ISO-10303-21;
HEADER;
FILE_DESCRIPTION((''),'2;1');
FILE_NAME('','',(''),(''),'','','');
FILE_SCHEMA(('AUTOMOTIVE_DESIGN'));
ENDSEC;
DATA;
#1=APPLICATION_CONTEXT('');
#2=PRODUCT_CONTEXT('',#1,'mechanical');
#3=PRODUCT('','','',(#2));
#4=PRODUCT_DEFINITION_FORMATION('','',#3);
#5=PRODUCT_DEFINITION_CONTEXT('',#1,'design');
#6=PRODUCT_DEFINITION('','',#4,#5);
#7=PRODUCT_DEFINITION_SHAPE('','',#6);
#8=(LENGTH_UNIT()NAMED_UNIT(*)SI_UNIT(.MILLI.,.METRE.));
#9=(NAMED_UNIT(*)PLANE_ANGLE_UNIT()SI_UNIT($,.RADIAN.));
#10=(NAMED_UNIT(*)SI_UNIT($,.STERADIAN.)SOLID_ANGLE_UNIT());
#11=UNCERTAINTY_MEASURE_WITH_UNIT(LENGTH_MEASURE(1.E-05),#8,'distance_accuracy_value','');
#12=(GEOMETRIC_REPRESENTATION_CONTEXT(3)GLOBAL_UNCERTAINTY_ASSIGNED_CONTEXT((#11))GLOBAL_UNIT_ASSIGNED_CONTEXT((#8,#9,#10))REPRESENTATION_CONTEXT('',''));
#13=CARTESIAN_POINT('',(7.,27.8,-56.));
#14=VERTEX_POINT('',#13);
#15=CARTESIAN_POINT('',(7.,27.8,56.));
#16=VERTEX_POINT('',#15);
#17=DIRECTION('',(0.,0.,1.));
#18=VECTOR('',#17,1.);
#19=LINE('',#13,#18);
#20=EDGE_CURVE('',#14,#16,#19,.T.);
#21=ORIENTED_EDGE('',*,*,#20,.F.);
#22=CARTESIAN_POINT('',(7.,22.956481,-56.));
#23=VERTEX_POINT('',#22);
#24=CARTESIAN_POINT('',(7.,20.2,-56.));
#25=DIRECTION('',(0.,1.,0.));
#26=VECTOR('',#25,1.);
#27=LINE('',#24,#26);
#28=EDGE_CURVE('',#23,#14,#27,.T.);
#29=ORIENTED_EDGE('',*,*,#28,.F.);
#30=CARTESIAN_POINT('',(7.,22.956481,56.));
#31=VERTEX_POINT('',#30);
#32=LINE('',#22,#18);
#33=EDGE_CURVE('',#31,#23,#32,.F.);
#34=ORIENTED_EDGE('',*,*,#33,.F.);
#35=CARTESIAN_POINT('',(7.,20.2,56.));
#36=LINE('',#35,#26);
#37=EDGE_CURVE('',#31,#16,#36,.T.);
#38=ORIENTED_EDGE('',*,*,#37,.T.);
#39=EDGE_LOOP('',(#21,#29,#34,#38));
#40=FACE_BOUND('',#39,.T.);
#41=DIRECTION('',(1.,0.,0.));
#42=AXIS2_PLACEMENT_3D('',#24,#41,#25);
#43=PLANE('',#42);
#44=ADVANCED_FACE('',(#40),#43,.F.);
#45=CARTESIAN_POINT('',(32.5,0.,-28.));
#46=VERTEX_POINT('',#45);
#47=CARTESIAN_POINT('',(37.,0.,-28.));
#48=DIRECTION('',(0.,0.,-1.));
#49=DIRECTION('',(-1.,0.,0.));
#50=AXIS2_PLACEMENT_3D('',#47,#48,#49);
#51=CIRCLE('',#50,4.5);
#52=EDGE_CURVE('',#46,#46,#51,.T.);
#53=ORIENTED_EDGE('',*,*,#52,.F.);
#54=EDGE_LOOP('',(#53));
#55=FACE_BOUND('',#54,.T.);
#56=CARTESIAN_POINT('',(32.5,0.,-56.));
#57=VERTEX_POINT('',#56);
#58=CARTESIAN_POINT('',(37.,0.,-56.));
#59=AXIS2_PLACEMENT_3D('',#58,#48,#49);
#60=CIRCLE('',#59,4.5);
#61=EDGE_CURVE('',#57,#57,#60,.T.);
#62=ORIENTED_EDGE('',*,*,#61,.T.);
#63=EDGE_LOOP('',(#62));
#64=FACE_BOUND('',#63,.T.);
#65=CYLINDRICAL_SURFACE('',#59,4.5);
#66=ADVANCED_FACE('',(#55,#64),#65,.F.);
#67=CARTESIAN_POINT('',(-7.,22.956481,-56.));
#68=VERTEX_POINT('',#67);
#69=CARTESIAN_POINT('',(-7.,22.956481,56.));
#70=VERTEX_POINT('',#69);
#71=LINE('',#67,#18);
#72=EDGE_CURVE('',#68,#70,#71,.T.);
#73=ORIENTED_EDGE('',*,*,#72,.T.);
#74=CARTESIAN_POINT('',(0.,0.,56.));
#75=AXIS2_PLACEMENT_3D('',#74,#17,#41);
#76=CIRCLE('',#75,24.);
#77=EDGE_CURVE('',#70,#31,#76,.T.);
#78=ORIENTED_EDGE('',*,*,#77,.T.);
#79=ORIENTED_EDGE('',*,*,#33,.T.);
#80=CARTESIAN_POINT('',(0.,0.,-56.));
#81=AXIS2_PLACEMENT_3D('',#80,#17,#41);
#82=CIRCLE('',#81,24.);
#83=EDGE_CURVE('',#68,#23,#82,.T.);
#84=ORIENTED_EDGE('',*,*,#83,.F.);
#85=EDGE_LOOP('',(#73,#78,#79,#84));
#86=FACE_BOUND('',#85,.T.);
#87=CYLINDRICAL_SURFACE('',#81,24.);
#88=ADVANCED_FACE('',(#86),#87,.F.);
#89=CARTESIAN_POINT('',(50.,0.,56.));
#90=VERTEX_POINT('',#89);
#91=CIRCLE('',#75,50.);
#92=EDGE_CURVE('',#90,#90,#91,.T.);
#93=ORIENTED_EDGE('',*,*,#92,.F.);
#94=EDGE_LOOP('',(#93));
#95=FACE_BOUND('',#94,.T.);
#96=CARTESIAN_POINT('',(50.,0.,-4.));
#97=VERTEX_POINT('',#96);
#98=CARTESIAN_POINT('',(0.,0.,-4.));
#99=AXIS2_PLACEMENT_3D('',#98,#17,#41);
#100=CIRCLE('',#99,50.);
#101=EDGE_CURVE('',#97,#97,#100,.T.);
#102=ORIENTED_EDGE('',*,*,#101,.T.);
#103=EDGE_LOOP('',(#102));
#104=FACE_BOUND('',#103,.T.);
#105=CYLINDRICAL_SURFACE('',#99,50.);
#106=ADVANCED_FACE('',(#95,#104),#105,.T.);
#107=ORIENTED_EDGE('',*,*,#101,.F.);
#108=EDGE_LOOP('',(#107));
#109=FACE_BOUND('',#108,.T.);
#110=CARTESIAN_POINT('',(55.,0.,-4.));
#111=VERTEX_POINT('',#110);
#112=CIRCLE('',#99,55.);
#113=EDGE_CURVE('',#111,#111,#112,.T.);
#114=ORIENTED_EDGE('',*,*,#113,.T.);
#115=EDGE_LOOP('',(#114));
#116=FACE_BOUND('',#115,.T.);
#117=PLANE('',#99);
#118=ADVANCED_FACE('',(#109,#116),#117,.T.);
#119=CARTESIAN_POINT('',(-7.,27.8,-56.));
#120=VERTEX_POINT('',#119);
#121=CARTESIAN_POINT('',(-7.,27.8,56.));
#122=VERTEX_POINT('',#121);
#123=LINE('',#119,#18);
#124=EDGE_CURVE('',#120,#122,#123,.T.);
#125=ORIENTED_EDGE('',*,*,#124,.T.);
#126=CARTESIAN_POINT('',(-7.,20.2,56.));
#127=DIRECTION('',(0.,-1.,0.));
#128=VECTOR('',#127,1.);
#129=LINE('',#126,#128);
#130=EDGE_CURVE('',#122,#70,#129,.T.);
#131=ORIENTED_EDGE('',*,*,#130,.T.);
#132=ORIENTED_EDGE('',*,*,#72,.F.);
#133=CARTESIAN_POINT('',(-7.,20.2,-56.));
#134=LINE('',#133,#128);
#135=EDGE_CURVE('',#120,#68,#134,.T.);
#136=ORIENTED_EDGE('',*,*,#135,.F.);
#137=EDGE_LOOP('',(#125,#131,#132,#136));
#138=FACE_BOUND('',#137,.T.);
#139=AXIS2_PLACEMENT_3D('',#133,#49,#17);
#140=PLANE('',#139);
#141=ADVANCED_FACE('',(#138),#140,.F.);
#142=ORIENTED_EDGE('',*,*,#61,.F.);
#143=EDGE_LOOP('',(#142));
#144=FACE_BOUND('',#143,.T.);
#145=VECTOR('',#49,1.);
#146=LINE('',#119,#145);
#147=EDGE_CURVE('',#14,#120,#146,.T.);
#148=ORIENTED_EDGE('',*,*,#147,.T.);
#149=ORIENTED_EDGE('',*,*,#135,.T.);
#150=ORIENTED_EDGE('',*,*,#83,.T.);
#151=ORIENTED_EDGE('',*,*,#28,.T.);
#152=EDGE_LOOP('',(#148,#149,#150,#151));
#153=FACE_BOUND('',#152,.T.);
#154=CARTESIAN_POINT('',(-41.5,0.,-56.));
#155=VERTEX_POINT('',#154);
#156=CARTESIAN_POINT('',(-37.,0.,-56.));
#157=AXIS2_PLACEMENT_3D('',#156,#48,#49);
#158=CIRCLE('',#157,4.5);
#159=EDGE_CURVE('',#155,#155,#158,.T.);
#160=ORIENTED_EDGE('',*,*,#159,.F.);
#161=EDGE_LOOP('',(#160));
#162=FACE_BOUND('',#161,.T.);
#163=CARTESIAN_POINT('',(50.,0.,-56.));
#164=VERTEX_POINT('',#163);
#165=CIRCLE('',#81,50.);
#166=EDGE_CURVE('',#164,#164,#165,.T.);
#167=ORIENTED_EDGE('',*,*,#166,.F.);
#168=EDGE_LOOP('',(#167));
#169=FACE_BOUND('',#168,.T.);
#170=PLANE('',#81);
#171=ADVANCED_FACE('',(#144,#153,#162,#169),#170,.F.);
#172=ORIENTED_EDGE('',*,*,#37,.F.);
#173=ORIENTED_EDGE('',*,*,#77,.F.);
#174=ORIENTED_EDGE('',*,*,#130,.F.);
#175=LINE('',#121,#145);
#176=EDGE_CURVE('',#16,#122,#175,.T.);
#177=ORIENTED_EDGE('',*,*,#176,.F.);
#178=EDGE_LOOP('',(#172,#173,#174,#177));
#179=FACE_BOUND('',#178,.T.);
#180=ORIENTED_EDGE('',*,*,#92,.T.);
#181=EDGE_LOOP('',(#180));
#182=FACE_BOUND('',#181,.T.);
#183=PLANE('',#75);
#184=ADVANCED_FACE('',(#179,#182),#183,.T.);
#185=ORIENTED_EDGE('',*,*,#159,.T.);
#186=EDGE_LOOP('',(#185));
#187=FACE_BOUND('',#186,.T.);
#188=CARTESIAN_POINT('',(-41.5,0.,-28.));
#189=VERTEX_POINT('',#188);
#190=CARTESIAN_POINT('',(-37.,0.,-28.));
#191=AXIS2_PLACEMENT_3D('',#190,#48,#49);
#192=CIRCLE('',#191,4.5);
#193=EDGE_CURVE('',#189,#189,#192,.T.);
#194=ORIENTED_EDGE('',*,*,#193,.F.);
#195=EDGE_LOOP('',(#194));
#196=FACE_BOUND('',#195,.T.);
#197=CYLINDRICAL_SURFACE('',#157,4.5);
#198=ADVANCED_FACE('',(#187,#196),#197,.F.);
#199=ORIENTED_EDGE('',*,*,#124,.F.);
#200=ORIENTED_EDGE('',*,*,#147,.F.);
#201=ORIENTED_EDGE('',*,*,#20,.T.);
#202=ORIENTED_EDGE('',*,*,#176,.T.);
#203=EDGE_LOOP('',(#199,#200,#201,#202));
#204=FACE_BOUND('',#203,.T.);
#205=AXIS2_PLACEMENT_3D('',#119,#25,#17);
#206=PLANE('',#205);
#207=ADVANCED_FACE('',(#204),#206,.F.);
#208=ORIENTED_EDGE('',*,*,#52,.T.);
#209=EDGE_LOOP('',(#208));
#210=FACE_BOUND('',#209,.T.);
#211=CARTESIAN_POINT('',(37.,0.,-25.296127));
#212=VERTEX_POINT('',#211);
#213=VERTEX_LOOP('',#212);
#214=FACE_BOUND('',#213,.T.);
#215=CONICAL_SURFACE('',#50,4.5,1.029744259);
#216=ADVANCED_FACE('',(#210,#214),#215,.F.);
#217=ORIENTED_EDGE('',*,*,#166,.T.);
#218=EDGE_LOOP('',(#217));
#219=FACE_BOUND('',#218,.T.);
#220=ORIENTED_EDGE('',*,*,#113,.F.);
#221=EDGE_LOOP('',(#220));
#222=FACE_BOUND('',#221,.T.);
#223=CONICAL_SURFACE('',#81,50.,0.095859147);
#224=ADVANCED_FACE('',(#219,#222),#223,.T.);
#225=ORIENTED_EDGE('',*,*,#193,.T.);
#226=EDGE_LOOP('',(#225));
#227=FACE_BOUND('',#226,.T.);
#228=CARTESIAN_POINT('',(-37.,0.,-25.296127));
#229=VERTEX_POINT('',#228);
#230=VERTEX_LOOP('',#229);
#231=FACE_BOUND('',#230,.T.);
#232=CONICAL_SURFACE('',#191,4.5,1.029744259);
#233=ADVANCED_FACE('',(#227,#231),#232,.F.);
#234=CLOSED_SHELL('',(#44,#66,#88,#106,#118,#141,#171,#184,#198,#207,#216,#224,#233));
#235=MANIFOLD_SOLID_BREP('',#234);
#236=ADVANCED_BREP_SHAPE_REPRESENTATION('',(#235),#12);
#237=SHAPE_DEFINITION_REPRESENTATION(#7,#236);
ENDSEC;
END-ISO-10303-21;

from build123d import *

# Parameters (mm, degrees)
SKETCH1_R                  = 55
BOSS_EXTRUDE1_DEPTH        = 56
SKETCH2_R                  = 24
CUT_EXTRUDE1_DEPTH         = 112
SKETCH3_W                  = 14
SKETCH3_H                  = 7.6
CUT_EXTRUDE2_DEPTH         = 137.359818128
SKETCH4_OUTSIDE_W          = 150.338
SKETCH4_OUTSIDE_H          = 150.338
SKETCH4_OUTSIDE_R          = 50
CUT_EXTRUDE3_DEPTH         = 60
M10X1_0_TAPPED_HOLE1_D     = 9
M10X1_0_TAPPED_HOLE1_DEPTH = 28
M10X1_0_TAPPED_HOLE1_TIP   = 2.703872786


with BuildPart() as part:
    # Sketch1 → Boss-Extrude1 (new, symmetric)
    with BuildSketch(Plane.XY):
        Circle(SKETCH1_R)
    extrude(amount=BOSS_EXTRUDE1_DEPTH, both=True)

    # Sketch2 → Cut-Extrude1 (cut)
    with BuildSketch(Plane.XY.offset(56)):
        Circle(SKETCH2_R)
    extrude(amount=-CUT_EXTRUDE1_DEPTH, mode=Mode.SUBTRACT)

    # Sketch3 → Cut-Extrude2 (cut, through all)
    with BuildSketch(Plane.XY.offset(56)):
        with Locations((0, 24)):
            Rectangle(SKETCH3_W, SKETCH3_H)
    extrude(amount=-CUT_EXTRUDE2_DEPTH, mode=Mode.SUBTRACT)

    # Sketch4 outside → Cut-Extrude3 (cut)
    with BuildSketch(Plane.XY.offset(56)):
        Rectangle(SKETCH4_OUTSIDE_W, SKETCH4_OUTSIDE_H)
        Circle(SKETCH4_OUTSIDE_R, mode=Mode.SUBTRACT)
    extrude(amount=-CUT_EXTRUDE3_DEPTH, mode=Mode.SUBTRACT)

    # Sketch5 → Cut-Revolve1 (revolve, cut)
    with BuildSketch(Plane(origin=(0, 0, 0), x_dir=(1, 0, 0), z_dir=(0, 1, 0))):
        Polygon((50, 56), (55, 4), (55, 56), align=None)
    revolve(axis=Axis((0, 0, 0), (0, 0, -1)), mode=Mode.SUBTRACT)

    # M10x1.0 Tapped Hole1
    with Locations(Plane(origin=(-4.867734964, -29.256831772, -56), x_dir=(1, 0, 0), z_dir=(0, 0, -1))):
        with Locations((41.867734964, -29.256831772), (-32.132265036, -29.256831772)):
            Hole(M10X1_0_TAPPED_HOLE1_D / 2, depth=M10X1_0_TAPPED_HOLE1_DEPTH)
            with Locations((0, 0, -(M10X1_0_TAPPED_HOLE1_DEPTH + M10X1_0_TAPPED_HOLE1_TIP / 2))):  # 118° drill point
                Cone(0, M10X1_0_TAPPED_HOLE1_D / 2, M10X1_0_TAPPED_HOLE1_TIP, mode=Mode.SUBTRACT)


solid = part.part
